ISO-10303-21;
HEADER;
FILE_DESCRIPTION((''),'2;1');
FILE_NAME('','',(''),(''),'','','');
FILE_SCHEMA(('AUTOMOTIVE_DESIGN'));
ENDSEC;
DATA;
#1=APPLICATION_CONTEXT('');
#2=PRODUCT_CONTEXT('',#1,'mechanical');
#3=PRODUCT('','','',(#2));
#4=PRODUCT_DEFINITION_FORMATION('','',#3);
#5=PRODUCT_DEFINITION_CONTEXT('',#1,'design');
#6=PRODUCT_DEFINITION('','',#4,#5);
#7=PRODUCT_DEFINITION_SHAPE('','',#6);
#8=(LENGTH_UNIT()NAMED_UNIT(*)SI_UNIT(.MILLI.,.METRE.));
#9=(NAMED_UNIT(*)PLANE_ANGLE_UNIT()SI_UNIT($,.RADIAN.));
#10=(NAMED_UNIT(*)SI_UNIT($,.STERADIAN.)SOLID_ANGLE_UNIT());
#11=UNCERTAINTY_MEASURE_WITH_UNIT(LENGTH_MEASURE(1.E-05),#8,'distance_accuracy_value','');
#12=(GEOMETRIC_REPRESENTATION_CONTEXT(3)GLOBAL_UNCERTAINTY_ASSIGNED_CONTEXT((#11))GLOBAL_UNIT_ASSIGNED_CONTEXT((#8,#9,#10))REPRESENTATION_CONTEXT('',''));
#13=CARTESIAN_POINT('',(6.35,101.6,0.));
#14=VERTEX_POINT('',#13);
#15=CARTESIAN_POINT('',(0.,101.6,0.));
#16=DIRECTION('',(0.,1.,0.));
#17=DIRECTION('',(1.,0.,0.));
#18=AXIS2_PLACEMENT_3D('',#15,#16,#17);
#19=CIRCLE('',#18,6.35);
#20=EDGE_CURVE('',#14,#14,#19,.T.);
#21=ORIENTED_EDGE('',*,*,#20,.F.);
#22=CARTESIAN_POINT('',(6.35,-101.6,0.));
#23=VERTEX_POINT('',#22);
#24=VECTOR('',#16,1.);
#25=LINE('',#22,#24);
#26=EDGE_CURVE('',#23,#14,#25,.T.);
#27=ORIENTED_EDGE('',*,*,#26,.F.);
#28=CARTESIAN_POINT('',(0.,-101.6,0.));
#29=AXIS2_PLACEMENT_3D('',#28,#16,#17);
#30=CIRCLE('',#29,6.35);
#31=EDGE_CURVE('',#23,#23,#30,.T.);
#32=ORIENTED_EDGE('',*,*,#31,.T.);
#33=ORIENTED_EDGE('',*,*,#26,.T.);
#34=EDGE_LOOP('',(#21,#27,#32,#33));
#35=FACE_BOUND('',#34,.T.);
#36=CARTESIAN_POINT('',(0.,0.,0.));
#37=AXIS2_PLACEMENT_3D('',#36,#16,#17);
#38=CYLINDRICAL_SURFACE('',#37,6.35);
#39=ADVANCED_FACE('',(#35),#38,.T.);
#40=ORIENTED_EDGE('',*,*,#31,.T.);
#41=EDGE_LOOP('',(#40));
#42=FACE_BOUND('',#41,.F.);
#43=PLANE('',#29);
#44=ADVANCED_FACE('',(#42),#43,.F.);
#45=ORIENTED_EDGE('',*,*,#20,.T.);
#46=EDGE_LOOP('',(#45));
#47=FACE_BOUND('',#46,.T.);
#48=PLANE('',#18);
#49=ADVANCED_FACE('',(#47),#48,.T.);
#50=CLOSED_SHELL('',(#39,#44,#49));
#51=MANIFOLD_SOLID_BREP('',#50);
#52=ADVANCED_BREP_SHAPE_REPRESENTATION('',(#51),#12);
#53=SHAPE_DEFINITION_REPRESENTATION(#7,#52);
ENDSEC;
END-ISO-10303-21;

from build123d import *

# Parameters (mm, degrees)
SKETCH1_R           = 6.35
BOSS_EXTRUDE1_DEPTH = 101.6


with BuildPart() as part:
    # Sketch1 → Boss-Extrude1 (new body, symmetric)
    with BuildSketch(Plane(origin=(0, 0, 0), x_dir=(1, 0, 0), z_dir=(0, 1, 0))):
        Circle(SKETCH1_R)
    extrude(amount=BOSS_EXTRUDE1_DEPTH, both=True)


solid = part.part
